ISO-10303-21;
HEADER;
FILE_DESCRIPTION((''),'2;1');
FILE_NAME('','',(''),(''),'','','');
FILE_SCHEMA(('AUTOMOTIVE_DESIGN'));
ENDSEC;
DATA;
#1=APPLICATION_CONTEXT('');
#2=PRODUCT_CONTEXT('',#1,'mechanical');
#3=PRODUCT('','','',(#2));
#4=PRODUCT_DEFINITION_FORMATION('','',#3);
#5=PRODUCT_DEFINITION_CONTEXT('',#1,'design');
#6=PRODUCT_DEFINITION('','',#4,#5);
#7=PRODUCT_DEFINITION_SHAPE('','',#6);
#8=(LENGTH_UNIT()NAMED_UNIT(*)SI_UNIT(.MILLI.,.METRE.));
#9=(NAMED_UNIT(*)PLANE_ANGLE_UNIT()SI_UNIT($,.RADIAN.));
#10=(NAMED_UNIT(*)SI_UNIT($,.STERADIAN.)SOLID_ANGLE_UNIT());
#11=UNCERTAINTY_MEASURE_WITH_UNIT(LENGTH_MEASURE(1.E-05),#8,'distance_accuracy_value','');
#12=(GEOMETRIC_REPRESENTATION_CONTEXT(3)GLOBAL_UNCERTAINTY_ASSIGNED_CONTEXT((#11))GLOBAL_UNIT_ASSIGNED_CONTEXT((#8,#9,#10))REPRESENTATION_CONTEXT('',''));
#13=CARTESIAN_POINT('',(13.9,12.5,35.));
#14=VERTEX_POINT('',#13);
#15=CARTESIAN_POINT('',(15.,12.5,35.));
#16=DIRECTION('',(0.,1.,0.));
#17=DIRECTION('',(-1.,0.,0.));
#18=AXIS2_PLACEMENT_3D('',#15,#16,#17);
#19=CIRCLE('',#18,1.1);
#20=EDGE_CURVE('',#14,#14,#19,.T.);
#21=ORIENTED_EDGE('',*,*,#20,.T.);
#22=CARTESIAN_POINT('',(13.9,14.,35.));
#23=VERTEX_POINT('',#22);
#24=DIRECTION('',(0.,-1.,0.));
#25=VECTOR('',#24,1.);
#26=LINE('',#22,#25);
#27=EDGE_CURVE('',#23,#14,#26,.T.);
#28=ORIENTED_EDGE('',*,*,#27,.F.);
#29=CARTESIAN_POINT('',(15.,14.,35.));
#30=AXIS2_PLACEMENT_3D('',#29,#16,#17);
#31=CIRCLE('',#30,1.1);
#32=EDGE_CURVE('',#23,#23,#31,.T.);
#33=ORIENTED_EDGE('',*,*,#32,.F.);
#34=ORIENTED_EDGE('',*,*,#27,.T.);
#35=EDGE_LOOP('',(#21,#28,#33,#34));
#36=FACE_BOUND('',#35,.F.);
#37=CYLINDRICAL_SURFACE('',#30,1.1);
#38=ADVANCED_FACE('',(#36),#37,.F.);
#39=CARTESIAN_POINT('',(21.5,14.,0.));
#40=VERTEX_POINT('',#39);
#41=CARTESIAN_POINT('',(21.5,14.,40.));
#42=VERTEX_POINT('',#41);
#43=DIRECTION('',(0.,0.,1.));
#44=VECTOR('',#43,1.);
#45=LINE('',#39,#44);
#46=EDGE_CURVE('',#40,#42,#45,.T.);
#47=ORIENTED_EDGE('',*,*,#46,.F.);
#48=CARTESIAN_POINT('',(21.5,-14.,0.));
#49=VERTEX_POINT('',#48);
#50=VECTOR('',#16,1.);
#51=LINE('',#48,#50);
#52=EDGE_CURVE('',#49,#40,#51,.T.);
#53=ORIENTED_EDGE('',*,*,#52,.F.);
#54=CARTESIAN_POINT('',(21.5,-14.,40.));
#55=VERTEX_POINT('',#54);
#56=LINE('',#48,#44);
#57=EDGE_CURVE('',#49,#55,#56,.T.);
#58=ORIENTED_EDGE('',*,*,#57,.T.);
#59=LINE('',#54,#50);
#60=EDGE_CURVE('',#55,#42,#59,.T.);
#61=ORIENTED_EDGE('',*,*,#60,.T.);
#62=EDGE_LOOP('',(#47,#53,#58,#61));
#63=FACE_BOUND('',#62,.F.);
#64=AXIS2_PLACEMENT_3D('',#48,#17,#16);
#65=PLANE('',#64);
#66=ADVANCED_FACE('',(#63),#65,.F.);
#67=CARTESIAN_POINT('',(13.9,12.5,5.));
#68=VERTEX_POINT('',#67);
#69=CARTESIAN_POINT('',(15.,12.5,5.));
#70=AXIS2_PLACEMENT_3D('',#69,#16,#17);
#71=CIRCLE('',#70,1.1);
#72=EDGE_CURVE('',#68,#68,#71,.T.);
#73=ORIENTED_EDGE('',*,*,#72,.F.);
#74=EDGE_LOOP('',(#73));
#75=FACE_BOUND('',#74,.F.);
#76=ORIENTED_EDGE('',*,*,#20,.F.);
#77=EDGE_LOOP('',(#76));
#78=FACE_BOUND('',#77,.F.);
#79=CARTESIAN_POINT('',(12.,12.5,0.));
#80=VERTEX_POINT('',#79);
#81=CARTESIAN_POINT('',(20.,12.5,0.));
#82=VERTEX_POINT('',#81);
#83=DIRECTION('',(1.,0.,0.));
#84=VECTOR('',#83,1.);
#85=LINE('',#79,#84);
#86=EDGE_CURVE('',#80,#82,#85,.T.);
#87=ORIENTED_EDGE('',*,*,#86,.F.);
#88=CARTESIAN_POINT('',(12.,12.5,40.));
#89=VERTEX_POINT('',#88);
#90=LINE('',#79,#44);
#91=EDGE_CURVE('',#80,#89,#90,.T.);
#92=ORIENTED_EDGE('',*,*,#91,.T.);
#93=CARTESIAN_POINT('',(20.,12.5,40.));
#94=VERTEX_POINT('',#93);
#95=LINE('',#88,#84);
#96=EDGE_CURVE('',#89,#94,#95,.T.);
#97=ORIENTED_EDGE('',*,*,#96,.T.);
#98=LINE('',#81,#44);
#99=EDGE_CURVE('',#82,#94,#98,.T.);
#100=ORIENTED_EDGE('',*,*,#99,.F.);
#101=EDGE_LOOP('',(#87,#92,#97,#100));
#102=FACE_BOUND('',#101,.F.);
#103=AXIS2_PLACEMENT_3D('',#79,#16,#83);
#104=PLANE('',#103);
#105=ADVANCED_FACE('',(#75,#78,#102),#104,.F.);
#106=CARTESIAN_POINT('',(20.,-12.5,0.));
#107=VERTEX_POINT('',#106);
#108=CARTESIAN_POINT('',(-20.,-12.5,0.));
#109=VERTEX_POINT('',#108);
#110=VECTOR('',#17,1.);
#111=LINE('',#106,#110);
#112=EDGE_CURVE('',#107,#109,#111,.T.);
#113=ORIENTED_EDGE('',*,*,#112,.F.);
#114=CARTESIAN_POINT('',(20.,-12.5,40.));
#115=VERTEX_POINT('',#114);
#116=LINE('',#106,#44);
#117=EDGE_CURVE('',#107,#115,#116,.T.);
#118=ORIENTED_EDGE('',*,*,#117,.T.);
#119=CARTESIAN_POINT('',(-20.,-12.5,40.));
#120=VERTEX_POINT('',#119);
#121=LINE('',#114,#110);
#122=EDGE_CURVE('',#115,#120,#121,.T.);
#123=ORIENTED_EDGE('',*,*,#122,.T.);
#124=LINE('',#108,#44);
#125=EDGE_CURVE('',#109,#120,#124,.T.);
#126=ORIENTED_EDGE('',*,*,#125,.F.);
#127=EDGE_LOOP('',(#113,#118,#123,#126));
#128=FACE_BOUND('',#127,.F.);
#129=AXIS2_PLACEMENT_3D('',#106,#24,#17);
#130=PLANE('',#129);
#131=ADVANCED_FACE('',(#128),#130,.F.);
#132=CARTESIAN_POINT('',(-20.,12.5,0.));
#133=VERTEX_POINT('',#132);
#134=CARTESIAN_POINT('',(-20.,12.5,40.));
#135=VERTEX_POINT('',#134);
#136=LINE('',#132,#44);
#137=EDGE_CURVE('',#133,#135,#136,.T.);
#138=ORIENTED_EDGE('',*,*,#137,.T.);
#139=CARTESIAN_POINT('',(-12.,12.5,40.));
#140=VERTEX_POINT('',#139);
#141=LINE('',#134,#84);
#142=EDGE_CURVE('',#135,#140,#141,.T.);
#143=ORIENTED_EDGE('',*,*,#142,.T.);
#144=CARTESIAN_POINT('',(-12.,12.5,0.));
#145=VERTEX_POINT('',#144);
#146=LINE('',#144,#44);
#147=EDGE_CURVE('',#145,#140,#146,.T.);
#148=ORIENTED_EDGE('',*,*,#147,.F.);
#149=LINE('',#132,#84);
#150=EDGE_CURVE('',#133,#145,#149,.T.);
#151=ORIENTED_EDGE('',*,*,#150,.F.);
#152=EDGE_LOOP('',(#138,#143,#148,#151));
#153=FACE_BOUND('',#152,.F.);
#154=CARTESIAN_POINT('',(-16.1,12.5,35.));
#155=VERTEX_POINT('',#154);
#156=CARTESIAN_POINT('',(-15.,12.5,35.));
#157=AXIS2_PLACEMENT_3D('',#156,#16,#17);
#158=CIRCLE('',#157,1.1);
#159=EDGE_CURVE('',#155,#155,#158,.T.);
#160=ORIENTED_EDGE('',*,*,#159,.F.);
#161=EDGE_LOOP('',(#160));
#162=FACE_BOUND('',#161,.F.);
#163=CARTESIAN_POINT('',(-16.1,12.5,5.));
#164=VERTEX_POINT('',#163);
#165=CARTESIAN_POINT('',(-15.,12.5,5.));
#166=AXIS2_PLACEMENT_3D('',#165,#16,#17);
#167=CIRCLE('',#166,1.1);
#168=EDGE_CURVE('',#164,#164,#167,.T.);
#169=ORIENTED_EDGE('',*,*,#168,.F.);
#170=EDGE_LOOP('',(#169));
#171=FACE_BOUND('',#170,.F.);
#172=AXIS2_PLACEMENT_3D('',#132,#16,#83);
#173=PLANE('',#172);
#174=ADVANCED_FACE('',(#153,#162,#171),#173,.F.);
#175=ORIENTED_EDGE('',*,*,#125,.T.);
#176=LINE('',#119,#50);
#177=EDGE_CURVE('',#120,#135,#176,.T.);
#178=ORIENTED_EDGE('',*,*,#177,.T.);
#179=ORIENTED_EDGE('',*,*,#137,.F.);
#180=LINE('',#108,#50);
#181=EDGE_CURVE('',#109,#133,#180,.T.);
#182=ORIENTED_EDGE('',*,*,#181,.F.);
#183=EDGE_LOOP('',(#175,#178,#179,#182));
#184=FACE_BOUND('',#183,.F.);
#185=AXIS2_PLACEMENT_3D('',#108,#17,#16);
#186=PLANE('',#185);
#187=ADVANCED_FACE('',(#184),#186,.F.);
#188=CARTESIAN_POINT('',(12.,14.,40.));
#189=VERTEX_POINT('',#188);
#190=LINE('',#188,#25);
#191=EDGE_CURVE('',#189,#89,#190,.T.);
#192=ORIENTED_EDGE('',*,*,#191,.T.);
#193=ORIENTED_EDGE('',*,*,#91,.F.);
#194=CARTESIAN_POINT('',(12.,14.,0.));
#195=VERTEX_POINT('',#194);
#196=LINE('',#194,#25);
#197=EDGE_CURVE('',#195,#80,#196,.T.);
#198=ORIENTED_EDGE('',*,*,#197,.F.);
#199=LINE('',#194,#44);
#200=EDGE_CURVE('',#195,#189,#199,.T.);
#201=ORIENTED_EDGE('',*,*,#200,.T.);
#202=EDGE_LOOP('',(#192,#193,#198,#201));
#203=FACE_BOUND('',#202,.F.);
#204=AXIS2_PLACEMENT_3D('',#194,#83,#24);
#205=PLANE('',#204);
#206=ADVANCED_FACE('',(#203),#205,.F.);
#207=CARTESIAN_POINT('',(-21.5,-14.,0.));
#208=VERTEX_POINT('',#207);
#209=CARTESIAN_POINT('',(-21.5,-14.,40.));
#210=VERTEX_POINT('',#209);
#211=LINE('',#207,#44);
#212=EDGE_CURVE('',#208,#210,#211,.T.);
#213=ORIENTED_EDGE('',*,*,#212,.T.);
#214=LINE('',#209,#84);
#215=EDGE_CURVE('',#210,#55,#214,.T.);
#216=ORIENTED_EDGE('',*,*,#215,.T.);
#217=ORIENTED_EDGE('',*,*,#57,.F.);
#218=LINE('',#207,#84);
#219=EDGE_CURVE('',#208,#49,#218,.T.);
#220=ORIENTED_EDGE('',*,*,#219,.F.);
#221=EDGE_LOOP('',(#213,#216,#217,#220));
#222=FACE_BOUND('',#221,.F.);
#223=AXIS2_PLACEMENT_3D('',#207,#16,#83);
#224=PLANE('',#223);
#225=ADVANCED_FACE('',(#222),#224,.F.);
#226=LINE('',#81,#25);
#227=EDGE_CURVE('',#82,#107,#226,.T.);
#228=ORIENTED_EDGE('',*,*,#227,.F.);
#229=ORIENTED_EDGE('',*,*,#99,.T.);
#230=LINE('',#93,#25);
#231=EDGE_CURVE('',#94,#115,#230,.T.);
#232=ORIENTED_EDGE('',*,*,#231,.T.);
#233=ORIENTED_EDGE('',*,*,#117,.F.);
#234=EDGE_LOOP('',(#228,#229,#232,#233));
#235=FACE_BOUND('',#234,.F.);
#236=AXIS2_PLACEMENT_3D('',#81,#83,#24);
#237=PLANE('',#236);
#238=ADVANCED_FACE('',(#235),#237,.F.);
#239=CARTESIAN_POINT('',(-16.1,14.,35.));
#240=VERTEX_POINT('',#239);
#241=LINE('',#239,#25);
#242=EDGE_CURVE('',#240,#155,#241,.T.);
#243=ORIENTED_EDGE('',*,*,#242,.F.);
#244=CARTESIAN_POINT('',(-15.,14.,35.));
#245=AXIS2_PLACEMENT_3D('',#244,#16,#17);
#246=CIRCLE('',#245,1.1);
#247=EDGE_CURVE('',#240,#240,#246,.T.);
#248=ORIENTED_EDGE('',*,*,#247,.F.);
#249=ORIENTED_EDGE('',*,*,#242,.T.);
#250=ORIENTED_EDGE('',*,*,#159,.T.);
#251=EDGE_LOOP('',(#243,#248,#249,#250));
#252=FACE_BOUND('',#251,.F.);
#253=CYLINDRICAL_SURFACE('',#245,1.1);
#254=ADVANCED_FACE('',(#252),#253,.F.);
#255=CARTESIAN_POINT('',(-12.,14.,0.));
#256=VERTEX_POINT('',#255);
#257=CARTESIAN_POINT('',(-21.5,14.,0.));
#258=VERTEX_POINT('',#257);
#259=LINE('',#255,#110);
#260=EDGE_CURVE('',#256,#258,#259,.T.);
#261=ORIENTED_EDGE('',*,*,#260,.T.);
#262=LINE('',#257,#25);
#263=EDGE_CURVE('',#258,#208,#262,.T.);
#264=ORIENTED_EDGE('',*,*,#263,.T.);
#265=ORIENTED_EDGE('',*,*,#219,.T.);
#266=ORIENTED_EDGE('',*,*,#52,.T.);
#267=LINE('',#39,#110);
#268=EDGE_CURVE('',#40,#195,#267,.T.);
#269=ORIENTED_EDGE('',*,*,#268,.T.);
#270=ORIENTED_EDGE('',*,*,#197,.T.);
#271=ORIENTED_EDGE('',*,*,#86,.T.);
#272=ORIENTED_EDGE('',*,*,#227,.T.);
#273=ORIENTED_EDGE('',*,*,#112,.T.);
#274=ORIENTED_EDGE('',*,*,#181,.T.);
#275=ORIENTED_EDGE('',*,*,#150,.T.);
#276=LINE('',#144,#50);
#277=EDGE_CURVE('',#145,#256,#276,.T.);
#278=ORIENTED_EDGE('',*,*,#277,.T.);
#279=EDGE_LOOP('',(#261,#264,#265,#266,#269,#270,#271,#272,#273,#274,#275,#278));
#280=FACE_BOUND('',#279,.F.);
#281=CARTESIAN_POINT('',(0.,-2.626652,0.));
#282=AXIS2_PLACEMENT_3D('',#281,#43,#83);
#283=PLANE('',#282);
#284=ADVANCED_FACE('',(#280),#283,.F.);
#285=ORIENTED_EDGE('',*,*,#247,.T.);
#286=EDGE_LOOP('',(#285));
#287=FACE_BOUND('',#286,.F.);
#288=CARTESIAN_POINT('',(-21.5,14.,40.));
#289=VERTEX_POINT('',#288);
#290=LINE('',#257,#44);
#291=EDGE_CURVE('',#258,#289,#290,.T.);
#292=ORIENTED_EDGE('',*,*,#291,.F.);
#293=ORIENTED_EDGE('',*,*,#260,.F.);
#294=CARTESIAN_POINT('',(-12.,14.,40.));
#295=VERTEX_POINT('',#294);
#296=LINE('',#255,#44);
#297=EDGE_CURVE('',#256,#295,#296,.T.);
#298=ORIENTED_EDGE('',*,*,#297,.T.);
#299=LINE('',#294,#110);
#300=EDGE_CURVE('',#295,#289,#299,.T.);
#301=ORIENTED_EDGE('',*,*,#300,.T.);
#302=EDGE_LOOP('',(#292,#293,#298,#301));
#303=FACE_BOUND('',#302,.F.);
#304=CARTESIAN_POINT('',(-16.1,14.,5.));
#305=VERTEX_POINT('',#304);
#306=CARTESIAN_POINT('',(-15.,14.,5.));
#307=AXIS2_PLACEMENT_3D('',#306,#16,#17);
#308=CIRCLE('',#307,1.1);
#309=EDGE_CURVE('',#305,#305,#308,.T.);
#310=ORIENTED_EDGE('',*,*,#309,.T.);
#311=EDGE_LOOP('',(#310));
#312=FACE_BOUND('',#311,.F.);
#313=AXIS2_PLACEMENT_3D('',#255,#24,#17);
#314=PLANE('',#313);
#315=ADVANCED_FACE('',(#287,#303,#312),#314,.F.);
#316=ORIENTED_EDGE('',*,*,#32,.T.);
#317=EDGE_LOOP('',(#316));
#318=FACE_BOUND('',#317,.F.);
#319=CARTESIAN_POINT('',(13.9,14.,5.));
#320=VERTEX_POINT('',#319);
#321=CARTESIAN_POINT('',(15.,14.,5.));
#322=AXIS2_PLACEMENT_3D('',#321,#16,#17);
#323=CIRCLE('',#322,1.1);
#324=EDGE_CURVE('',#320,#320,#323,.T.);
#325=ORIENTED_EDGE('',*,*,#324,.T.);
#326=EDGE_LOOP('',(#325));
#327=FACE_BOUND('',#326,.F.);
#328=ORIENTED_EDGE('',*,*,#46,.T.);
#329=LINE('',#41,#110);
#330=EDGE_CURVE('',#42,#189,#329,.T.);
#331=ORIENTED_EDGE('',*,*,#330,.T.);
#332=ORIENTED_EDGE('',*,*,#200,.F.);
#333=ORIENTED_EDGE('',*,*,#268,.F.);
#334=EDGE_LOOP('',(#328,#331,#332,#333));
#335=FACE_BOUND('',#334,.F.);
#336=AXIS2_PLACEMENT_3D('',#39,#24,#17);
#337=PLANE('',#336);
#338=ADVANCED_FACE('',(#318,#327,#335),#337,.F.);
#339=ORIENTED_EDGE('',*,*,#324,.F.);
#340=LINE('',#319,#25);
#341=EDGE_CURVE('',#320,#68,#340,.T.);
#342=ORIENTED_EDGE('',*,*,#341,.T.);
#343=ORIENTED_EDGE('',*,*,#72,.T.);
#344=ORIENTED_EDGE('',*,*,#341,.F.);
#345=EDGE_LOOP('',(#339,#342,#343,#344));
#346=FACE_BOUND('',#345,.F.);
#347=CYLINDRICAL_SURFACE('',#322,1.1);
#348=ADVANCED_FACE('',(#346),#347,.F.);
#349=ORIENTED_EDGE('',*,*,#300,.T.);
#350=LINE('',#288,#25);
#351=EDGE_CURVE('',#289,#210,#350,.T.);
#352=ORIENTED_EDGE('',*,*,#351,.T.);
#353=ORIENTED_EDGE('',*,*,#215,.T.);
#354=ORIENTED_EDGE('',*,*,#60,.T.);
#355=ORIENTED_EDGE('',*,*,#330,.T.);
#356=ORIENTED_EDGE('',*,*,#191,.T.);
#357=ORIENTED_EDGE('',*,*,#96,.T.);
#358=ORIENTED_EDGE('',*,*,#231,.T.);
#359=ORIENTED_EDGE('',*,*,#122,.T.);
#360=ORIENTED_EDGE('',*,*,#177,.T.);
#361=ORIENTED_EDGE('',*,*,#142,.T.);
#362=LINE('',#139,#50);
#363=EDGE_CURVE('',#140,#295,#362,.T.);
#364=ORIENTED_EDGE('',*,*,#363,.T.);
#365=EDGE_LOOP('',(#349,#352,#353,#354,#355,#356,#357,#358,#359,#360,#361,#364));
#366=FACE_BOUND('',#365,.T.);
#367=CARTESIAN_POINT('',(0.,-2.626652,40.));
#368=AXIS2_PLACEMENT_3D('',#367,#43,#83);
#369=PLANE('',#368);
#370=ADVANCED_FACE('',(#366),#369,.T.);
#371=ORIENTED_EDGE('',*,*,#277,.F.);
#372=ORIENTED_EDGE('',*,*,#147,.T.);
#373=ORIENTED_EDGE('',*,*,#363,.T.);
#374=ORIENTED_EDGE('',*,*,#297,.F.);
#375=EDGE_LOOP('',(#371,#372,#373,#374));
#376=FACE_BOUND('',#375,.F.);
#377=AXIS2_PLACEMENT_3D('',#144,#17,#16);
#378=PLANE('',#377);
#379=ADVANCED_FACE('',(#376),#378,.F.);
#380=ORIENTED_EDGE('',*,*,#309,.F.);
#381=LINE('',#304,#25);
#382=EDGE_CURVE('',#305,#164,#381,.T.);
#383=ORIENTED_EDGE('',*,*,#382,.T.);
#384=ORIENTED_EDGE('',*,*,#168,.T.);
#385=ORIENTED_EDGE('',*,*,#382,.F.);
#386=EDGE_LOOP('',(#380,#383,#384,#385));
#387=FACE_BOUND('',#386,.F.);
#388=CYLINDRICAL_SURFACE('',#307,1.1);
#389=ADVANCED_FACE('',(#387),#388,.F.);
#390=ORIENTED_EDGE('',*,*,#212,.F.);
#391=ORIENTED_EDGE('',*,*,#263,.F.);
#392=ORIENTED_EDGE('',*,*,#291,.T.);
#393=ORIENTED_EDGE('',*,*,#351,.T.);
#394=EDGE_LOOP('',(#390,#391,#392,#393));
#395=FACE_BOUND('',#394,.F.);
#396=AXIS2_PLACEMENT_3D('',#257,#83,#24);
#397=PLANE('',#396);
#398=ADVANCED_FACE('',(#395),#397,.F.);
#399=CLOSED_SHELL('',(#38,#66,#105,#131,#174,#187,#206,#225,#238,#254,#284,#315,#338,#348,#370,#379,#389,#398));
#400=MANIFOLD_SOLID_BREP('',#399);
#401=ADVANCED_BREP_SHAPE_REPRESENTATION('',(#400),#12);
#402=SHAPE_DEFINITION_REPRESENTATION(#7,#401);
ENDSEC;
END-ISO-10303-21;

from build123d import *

# Parameters (mm, degrees)
F1_DEPTH = 40
F2_R     = 1.1
F3_DEPTH = 1.5


with BuildPart() as f1:
    # F0 (on Top) → F1 (new body)
    with BuildSketch(Plane.XY):
        Polygon((-12, 14), (-21.5, 14), (-21.5, -14), (21.5, -14), (21.5, 14), (12, 14), (12, 12.5), (20, 12.5), (20, -12.5), (-20, -12.5), (-20, 12.5), (-12, 12.5), align=None)
    extrude(amount=F1_DEPTH)

    # F2 (on face) → F3 (cut, through all)
    with BuildSketch(Plane(origin=(0, 14, 0), x_dir=(-1, 0, 0), z_dir=(0, 1, 0))):
        with Locations((-15, 35)):
            Circle(F2_R)
        with Locations((15, 35)):
            Circle(F2_R)
        with Locations((-15, 5)):
            Circle(F2_R)
        with Locations((15, 5)):
            Circle(F2_R)
    extrude(amount=-F3_DEPTH, mode=Mode.SUBTRACT)


solid = f1.part
